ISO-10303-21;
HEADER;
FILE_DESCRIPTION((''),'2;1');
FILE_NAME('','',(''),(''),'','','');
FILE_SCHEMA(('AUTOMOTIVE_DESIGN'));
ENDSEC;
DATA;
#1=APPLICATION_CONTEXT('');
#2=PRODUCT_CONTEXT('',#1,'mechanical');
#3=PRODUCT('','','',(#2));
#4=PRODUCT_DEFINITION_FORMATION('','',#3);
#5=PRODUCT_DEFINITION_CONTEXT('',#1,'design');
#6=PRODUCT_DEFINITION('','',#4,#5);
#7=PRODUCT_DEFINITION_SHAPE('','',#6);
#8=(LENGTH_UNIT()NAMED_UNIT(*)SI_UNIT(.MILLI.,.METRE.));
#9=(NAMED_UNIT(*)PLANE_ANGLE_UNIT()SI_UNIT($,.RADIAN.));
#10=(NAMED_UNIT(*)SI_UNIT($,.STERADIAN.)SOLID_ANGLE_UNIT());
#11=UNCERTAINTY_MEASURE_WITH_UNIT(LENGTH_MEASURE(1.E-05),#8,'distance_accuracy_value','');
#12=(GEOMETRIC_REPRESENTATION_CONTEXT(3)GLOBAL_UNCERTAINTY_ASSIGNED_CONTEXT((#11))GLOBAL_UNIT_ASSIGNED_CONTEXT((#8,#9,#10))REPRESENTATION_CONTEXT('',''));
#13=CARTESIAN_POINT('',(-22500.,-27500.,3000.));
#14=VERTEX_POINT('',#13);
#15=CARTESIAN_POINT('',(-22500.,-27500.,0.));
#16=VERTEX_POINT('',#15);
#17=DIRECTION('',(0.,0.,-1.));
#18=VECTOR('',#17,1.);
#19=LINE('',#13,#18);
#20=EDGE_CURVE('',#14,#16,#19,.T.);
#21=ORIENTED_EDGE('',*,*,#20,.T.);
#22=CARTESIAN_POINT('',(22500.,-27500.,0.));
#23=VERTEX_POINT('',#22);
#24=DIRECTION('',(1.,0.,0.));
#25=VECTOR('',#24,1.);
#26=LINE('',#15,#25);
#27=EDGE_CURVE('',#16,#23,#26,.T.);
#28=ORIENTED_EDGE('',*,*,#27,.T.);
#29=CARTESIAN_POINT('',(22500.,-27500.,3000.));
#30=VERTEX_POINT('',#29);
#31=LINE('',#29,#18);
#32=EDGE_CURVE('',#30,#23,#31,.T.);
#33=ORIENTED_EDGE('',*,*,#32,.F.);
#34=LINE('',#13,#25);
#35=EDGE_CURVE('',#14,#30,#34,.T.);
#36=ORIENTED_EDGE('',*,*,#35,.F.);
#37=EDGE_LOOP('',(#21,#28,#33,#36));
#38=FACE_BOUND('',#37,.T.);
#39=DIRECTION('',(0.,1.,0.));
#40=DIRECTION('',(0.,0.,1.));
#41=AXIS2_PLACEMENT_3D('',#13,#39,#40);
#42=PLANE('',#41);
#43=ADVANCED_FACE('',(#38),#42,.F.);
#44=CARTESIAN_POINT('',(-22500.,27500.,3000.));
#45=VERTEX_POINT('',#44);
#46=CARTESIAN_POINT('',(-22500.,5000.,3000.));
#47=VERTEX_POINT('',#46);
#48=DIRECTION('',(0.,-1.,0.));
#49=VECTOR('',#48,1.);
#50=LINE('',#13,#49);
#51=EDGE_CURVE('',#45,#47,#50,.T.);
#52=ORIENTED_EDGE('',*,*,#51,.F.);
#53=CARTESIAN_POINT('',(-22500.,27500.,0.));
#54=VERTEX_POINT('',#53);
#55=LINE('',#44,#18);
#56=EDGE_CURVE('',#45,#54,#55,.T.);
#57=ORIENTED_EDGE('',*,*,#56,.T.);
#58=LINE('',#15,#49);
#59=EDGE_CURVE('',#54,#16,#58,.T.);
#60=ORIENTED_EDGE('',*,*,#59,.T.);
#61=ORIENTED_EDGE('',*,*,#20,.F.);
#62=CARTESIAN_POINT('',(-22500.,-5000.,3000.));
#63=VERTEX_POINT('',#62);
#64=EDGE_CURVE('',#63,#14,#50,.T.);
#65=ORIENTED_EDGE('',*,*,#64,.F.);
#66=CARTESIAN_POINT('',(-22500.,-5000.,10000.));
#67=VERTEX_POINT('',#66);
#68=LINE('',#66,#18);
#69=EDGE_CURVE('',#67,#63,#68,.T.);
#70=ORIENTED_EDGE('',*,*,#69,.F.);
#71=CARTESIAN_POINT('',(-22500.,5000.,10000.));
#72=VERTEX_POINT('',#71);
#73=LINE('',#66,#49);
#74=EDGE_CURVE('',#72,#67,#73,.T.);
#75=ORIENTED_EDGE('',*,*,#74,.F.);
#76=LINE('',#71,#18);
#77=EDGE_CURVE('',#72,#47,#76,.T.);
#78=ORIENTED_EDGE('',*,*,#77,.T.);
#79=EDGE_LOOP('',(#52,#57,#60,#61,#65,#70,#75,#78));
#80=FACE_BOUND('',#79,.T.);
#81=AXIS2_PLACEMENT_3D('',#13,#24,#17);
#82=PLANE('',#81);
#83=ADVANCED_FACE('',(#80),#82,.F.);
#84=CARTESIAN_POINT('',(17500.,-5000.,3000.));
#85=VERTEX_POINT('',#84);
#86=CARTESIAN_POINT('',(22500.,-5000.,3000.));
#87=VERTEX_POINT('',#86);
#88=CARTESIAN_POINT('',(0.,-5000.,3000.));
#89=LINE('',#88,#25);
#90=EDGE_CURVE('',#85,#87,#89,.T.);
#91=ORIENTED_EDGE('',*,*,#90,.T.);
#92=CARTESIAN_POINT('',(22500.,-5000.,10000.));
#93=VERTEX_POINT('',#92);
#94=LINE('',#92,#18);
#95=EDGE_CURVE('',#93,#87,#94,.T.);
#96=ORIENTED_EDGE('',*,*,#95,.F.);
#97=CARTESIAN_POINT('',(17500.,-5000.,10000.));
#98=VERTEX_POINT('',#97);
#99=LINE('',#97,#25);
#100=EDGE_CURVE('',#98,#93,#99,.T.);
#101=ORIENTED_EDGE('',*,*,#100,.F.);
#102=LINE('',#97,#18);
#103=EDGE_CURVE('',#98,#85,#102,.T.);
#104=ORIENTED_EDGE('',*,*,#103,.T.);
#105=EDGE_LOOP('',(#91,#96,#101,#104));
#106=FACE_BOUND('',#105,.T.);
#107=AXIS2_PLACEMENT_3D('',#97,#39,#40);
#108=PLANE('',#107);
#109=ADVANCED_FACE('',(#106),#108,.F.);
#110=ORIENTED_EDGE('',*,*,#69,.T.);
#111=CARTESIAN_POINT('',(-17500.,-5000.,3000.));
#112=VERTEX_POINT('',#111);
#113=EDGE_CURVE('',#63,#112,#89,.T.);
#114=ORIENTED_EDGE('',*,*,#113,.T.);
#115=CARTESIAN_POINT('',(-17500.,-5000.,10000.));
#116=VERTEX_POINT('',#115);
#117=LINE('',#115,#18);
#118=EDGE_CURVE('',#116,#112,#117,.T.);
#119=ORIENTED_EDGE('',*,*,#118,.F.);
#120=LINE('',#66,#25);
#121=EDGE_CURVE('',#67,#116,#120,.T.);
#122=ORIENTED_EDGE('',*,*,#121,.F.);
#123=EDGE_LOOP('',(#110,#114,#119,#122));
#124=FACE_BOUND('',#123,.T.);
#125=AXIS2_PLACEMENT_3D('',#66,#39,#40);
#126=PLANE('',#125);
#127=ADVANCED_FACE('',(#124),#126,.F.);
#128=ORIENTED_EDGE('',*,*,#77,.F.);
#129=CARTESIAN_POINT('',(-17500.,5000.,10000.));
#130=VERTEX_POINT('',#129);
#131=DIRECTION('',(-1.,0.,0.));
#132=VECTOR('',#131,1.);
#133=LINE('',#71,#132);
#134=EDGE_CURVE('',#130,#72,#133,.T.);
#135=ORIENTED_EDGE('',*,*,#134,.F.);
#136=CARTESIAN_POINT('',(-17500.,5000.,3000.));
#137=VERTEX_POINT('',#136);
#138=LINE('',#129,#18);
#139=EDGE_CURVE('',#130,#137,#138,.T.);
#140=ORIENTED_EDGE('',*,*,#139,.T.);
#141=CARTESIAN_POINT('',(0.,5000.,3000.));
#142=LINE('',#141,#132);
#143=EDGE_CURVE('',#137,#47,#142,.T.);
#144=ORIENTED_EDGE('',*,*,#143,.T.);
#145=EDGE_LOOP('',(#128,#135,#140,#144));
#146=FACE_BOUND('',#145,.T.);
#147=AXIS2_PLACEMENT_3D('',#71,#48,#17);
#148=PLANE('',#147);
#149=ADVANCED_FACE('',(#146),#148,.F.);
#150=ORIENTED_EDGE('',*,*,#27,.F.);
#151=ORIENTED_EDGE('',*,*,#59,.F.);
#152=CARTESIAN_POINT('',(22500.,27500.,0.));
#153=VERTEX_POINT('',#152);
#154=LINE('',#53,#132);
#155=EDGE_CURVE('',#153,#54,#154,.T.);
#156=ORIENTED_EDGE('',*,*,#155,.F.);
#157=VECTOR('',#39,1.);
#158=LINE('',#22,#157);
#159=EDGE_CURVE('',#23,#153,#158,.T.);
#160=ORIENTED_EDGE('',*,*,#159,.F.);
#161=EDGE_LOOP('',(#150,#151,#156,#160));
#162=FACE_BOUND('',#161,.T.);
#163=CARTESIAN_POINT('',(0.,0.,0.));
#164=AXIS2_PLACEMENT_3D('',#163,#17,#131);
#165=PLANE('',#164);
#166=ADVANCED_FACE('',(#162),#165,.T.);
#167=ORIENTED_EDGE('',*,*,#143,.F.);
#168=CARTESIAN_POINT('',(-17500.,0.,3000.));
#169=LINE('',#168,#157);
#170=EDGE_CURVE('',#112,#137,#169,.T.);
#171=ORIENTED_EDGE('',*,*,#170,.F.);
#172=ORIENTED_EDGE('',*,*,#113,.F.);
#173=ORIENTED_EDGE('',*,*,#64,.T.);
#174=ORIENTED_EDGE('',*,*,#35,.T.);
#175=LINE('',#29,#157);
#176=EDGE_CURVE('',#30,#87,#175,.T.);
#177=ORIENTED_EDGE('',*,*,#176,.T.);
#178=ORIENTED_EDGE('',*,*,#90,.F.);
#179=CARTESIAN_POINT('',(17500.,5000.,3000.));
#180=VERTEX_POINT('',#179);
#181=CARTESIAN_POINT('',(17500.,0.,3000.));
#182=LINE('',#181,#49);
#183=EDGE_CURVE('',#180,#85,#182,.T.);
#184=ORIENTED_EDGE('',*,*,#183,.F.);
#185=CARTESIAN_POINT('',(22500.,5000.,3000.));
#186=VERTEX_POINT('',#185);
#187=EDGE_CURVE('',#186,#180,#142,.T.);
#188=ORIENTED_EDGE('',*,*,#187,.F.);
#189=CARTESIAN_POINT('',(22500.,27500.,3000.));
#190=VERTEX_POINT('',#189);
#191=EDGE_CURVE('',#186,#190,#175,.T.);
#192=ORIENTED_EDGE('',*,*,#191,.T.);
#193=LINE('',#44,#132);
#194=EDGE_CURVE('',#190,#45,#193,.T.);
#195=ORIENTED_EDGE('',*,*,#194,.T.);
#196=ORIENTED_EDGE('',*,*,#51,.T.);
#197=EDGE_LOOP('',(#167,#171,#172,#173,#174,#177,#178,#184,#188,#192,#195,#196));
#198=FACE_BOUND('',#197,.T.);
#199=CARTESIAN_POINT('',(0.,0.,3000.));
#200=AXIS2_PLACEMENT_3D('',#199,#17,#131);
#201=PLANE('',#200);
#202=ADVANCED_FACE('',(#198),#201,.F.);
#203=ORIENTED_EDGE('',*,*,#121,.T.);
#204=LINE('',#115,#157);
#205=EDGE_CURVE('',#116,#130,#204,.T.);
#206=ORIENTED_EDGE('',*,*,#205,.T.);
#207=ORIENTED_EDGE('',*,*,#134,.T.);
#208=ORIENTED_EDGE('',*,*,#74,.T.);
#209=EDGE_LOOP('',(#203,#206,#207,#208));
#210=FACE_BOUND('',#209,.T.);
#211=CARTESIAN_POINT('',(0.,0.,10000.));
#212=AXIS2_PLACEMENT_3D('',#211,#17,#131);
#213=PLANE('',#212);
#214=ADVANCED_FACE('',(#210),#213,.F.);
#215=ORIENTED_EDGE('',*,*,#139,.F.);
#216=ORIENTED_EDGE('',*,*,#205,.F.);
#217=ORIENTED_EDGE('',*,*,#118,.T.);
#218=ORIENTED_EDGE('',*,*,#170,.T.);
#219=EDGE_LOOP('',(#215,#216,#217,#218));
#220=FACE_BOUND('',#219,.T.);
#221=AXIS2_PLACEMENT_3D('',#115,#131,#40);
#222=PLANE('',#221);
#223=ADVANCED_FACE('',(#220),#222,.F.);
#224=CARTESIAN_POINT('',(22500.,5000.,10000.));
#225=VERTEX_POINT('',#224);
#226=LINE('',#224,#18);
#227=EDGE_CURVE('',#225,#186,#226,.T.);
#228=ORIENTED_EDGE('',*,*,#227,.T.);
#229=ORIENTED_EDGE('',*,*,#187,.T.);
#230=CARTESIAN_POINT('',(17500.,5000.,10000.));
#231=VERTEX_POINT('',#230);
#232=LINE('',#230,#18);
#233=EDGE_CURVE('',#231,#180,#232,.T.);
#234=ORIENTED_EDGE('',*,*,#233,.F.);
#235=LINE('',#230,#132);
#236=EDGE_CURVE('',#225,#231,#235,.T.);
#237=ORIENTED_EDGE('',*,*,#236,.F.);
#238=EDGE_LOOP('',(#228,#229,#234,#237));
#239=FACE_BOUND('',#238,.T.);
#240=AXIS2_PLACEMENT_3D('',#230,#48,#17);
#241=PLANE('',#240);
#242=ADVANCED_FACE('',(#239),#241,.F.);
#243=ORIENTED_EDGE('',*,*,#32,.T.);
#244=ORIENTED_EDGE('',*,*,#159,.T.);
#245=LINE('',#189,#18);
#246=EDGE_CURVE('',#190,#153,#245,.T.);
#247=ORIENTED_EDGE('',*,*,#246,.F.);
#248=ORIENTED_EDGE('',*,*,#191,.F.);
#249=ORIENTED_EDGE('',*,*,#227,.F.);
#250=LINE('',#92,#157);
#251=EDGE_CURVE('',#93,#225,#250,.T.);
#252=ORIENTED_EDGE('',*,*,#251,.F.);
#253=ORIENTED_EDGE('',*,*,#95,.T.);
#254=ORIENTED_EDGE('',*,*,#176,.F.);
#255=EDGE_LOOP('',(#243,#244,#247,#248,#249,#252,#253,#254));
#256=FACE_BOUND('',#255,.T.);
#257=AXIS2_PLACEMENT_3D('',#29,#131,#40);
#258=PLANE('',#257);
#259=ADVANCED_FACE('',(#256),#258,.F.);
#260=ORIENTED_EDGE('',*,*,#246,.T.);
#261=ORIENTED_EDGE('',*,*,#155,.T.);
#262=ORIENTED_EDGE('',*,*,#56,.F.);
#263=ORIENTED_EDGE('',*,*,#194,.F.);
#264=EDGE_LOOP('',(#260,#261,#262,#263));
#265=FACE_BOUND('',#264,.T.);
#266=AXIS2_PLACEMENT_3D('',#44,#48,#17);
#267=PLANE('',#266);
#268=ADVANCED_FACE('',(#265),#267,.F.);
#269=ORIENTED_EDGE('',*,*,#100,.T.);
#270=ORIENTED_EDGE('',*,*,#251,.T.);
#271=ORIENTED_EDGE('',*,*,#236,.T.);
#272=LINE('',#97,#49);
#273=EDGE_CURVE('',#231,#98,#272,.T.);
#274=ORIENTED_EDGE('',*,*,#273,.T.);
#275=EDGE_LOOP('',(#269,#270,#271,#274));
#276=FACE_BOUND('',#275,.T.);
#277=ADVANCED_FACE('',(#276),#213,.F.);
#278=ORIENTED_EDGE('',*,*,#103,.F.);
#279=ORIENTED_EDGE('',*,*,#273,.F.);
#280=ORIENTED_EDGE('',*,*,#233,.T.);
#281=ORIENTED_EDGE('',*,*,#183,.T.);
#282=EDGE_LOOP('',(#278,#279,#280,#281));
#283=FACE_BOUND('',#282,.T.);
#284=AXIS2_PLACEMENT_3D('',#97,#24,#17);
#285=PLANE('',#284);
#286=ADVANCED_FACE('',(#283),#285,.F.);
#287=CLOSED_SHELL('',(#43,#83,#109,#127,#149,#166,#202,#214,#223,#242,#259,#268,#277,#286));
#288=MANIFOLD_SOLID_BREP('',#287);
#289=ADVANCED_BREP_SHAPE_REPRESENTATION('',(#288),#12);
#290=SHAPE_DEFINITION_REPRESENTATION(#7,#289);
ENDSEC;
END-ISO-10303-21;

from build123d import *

# Parameters (mm, degrees)
SKETCH1_W           = 45000
SKETCH1_H           = 55000
BOSS_EXTRUDE1_DEPTH = 3000
SKETCH3_W           = 5000
SKETCH3_H           = 10000
BOSS_EXTRUDE2_DEPTH = 10000


with BuildPart() as part:
    # Sketch1 → Boss-Extrude1 (new body)
    with BuildSketch(Plane.XY):
        Rectangle(SKETCH1_W, SKETCH1_H)
    extrude(amount=BOSS_EXTRUDE1_DEPTH)

    # Sketch3 → Boss-Extrude2 (add)
    with BuildSketch(Plane.XY):
        with Locations((-20000, 0)):
            Rectangle(SKETCH3_W, SKETCH3_H)
        with Locations((20000, 0)):
            Rectangle(SKETCH3_W, SKETCH3_H)
    extrude(amount=BOSS_EXTRUDE2_DEPTH)


solid = part.part
